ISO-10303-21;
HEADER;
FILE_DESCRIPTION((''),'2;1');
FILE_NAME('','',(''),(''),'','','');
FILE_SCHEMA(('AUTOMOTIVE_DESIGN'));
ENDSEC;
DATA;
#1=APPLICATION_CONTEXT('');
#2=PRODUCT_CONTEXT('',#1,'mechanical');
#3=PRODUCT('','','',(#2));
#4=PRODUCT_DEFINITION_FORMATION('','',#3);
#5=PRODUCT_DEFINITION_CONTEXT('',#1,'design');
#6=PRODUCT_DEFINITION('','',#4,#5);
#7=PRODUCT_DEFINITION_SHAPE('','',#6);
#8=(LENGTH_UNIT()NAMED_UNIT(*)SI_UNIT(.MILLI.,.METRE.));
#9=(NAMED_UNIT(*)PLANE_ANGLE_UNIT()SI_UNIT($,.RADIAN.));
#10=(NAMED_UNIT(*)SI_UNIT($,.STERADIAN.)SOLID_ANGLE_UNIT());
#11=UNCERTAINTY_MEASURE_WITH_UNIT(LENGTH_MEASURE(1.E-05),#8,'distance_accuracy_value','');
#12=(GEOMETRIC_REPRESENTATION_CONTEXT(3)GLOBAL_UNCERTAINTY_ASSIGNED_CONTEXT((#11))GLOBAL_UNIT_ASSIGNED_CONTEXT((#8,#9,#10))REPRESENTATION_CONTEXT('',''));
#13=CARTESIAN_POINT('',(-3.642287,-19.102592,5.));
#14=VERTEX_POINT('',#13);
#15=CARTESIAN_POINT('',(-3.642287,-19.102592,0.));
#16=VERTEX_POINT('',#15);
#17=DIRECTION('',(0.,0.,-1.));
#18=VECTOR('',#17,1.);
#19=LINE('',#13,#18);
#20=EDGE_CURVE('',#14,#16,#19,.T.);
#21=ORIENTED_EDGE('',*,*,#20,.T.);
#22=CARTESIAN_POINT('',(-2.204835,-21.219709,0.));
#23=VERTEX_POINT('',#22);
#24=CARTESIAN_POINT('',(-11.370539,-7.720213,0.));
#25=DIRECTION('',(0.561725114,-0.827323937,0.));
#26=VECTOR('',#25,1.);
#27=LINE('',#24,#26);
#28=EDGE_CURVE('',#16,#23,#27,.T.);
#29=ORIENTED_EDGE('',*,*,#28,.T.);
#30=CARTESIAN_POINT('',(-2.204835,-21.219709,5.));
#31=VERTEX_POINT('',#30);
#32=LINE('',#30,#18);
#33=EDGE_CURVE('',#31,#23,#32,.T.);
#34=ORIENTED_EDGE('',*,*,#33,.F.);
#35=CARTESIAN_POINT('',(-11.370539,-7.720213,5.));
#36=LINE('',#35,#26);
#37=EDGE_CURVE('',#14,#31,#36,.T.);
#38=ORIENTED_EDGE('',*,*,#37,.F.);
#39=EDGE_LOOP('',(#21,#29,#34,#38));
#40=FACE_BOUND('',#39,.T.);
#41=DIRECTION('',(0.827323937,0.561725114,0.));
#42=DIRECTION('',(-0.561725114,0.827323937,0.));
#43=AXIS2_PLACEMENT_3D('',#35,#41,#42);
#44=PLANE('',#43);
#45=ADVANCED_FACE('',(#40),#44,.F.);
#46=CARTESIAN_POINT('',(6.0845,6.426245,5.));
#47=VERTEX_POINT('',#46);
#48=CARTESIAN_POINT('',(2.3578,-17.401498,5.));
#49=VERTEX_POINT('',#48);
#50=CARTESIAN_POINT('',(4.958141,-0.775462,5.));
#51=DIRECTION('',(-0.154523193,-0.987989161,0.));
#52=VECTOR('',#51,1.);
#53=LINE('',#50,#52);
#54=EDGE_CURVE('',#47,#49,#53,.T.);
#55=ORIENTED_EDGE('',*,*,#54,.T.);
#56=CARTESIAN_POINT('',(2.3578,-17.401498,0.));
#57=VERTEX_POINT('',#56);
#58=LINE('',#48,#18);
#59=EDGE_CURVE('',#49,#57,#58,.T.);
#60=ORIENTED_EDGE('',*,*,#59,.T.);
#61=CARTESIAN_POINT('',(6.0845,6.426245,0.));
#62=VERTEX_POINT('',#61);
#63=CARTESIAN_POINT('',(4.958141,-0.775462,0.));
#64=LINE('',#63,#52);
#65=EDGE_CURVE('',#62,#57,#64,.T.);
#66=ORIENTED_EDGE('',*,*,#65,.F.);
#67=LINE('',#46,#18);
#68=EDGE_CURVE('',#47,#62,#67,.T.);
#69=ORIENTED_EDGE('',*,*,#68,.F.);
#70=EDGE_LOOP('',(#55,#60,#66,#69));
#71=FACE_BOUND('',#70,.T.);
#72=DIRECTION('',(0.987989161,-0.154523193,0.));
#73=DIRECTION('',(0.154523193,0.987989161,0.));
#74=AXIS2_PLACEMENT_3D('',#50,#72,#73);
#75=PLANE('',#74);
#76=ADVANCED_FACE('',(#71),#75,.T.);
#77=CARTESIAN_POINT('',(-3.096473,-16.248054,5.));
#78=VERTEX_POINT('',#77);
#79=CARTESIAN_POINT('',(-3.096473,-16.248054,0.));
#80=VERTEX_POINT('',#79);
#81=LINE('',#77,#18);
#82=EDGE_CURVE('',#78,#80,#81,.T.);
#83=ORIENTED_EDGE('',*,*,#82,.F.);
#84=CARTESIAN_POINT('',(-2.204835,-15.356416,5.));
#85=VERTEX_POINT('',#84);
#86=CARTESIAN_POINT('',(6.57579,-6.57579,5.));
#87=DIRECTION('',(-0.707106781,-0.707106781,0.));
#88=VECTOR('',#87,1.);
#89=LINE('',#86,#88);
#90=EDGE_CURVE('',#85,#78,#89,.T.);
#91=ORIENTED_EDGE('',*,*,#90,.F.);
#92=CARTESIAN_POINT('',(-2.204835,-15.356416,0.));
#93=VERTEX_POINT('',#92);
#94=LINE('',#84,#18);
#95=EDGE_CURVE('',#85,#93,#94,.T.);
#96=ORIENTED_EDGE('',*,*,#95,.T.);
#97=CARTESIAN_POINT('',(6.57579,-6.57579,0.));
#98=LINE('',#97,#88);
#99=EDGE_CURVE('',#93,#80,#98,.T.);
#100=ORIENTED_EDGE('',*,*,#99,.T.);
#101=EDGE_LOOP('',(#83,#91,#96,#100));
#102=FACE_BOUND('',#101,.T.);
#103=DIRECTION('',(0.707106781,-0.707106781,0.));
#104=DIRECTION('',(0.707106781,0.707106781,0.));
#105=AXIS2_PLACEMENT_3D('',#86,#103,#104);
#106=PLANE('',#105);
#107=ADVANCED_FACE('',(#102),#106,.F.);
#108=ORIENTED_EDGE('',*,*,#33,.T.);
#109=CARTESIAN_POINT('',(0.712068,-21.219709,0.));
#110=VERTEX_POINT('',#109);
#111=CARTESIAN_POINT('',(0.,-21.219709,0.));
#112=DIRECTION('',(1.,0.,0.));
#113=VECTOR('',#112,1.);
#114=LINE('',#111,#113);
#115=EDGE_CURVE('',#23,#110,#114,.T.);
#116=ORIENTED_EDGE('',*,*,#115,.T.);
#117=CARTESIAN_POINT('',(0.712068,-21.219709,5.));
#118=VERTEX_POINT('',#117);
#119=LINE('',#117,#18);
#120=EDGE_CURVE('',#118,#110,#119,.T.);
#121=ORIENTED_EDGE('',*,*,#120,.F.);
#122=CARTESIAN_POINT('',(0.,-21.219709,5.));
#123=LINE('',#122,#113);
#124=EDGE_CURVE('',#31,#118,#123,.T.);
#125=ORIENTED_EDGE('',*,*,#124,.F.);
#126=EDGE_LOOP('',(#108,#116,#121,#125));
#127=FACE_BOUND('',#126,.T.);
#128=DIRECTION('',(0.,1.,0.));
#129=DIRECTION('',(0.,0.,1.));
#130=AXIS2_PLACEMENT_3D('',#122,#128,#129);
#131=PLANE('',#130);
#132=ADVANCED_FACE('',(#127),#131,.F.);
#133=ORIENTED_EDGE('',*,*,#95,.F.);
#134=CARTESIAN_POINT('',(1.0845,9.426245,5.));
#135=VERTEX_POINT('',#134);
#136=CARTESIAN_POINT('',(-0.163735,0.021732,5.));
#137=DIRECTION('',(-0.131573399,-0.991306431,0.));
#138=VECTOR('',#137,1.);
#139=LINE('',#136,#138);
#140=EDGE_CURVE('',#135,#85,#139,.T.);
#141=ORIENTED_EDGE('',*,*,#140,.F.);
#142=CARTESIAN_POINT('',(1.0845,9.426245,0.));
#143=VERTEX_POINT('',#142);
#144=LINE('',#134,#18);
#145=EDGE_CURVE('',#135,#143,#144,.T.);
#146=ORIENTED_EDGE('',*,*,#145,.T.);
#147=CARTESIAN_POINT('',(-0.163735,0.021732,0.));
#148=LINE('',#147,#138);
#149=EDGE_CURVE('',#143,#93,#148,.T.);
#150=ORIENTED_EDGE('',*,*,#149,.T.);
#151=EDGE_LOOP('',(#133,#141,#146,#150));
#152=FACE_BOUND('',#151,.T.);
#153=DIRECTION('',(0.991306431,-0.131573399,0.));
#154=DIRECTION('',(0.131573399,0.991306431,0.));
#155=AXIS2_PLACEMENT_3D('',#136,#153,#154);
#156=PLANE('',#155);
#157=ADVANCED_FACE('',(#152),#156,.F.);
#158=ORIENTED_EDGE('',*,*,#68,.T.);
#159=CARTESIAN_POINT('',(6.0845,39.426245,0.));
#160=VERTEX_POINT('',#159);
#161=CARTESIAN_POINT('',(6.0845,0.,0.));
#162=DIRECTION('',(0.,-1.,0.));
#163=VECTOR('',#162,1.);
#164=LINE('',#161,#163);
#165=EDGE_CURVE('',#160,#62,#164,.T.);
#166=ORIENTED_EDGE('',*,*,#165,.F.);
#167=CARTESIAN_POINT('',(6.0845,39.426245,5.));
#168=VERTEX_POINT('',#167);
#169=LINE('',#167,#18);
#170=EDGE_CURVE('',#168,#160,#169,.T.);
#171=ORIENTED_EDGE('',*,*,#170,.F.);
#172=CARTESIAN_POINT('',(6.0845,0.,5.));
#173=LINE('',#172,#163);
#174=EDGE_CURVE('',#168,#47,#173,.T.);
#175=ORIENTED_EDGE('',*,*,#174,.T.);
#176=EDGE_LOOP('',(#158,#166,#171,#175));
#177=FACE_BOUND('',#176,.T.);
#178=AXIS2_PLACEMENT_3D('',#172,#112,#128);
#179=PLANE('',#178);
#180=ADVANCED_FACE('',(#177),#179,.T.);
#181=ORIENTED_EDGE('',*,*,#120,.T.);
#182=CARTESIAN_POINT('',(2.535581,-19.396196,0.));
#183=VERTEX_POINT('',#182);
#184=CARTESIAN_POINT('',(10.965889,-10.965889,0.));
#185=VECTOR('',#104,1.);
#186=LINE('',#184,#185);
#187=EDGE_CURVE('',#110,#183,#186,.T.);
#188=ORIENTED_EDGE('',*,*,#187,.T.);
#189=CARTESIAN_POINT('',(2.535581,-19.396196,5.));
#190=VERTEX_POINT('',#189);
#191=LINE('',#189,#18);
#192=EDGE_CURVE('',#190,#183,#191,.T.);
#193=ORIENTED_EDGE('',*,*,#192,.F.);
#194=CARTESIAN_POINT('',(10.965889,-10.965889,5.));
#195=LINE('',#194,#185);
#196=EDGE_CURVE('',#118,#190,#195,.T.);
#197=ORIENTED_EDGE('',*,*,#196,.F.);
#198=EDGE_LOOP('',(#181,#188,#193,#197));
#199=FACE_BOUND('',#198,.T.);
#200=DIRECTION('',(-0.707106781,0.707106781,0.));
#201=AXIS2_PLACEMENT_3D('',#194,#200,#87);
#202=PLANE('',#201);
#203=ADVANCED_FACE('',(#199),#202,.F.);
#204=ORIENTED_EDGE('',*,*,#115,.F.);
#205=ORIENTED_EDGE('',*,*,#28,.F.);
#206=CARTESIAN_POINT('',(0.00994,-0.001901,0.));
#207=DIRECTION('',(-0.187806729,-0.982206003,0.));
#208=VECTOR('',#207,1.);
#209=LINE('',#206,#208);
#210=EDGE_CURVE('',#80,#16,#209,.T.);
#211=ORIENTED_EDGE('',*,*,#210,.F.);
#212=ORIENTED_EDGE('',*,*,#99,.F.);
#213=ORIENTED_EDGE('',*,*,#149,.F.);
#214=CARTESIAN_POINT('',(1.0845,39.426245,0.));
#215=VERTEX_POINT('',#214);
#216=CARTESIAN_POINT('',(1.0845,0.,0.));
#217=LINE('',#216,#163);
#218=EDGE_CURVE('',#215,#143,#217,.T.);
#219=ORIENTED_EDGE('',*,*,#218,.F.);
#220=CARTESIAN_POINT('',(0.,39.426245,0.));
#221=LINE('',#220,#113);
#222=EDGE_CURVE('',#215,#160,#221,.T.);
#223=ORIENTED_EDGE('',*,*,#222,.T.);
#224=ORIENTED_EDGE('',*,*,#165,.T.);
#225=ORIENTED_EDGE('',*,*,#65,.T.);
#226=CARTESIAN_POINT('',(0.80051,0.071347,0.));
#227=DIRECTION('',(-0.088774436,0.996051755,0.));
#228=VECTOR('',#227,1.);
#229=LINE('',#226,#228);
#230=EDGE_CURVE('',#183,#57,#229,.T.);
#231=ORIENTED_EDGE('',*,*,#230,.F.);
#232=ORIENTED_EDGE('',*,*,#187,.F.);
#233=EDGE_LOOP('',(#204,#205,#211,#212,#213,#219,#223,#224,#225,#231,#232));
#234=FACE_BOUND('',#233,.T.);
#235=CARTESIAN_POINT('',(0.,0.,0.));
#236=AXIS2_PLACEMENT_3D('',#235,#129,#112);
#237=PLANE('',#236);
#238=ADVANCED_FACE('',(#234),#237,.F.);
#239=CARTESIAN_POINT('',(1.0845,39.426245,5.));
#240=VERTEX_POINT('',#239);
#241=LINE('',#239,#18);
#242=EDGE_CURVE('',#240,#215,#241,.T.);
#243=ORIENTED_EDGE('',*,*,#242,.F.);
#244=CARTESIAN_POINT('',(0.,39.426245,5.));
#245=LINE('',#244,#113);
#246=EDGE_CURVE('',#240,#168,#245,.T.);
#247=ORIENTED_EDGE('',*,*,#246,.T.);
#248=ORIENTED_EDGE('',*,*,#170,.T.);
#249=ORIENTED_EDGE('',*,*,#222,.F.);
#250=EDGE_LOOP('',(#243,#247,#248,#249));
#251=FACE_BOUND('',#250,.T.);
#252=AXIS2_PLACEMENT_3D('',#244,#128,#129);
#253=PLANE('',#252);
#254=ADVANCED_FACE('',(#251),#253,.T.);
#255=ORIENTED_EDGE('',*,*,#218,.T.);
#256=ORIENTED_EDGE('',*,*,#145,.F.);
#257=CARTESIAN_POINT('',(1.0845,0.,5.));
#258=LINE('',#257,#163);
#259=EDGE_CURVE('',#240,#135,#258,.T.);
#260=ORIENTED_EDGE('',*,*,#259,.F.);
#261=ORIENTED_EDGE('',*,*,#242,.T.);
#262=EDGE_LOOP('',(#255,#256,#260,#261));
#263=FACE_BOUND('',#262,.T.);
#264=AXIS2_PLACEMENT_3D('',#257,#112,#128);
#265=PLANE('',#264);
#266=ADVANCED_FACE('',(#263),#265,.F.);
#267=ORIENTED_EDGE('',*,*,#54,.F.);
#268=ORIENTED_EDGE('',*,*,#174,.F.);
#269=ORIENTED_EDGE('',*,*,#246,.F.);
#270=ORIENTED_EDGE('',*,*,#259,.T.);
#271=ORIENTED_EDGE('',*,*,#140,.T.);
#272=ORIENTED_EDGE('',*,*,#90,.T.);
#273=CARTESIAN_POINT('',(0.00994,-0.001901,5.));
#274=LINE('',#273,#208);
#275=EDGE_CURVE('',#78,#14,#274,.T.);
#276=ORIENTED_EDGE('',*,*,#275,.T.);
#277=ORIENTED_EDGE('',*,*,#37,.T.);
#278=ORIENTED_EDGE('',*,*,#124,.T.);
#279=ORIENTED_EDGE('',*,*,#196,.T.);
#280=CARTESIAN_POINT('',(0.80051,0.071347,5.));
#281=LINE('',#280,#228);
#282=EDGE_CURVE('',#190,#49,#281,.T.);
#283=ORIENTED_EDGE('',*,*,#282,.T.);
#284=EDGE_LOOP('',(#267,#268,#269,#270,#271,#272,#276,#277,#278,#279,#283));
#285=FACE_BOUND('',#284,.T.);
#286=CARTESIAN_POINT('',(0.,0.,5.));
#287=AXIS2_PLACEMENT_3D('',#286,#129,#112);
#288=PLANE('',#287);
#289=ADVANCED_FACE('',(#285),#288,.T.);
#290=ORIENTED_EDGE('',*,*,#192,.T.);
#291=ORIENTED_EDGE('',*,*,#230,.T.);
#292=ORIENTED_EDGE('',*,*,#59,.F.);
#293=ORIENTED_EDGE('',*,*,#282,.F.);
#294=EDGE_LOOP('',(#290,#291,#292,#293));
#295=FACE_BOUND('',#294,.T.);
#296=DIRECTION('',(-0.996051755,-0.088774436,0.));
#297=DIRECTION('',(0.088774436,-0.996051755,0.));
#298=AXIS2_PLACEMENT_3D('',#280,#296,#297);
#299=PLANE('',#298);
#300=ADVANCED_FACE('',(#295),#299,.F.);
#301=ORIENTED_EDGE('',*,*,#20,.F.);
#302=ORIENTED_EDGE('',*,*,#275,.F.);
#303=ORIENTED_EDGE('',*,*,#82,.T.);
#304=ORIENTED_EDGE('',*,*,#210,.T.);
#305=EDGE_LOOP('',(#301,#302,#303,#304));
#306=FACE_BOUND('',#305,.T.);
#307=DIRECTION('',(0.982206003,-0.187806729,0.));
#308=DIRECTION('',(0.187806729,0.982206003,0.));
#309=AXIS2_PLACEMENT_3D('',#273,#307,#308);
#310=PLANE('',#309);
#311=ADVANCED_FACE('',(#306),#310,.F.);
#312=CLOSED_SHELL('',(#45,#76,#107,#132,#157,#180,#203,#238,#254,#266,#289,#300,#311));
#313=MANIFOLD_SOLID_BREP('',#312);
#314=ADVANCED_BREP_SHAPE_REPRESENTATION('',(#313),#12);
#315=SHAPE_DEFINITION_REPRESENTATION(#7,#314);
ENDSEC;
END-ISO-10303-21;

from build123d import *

# Parameters (mm, degrees)
BOSS_EXTRUDE2_DEPTH = 5


with BuildPart() as part:
    # Sketch9 → Boss-Extrude2 (new body)
    with BuildSketch(Plane.XY):
        Polygon((1.084500007, 39.42624482), (6.084500007, 39.42624482), (6.084500007, 6.42624482), (2.357800388, -17.401497524), (2.535580579, -19.39619644), (0.712067708, -21.219709311), (-2.20483497, -21.219709311), (-3.642286514, -19.102591809), (-3.096472876, -16.248053868), (-2.20483497, -15.356415962), (1.084500007, 9.42624482), align=None)
    extrude(amount=BOSS_EXTRUDE2_DEPTH)


solid = part.part
